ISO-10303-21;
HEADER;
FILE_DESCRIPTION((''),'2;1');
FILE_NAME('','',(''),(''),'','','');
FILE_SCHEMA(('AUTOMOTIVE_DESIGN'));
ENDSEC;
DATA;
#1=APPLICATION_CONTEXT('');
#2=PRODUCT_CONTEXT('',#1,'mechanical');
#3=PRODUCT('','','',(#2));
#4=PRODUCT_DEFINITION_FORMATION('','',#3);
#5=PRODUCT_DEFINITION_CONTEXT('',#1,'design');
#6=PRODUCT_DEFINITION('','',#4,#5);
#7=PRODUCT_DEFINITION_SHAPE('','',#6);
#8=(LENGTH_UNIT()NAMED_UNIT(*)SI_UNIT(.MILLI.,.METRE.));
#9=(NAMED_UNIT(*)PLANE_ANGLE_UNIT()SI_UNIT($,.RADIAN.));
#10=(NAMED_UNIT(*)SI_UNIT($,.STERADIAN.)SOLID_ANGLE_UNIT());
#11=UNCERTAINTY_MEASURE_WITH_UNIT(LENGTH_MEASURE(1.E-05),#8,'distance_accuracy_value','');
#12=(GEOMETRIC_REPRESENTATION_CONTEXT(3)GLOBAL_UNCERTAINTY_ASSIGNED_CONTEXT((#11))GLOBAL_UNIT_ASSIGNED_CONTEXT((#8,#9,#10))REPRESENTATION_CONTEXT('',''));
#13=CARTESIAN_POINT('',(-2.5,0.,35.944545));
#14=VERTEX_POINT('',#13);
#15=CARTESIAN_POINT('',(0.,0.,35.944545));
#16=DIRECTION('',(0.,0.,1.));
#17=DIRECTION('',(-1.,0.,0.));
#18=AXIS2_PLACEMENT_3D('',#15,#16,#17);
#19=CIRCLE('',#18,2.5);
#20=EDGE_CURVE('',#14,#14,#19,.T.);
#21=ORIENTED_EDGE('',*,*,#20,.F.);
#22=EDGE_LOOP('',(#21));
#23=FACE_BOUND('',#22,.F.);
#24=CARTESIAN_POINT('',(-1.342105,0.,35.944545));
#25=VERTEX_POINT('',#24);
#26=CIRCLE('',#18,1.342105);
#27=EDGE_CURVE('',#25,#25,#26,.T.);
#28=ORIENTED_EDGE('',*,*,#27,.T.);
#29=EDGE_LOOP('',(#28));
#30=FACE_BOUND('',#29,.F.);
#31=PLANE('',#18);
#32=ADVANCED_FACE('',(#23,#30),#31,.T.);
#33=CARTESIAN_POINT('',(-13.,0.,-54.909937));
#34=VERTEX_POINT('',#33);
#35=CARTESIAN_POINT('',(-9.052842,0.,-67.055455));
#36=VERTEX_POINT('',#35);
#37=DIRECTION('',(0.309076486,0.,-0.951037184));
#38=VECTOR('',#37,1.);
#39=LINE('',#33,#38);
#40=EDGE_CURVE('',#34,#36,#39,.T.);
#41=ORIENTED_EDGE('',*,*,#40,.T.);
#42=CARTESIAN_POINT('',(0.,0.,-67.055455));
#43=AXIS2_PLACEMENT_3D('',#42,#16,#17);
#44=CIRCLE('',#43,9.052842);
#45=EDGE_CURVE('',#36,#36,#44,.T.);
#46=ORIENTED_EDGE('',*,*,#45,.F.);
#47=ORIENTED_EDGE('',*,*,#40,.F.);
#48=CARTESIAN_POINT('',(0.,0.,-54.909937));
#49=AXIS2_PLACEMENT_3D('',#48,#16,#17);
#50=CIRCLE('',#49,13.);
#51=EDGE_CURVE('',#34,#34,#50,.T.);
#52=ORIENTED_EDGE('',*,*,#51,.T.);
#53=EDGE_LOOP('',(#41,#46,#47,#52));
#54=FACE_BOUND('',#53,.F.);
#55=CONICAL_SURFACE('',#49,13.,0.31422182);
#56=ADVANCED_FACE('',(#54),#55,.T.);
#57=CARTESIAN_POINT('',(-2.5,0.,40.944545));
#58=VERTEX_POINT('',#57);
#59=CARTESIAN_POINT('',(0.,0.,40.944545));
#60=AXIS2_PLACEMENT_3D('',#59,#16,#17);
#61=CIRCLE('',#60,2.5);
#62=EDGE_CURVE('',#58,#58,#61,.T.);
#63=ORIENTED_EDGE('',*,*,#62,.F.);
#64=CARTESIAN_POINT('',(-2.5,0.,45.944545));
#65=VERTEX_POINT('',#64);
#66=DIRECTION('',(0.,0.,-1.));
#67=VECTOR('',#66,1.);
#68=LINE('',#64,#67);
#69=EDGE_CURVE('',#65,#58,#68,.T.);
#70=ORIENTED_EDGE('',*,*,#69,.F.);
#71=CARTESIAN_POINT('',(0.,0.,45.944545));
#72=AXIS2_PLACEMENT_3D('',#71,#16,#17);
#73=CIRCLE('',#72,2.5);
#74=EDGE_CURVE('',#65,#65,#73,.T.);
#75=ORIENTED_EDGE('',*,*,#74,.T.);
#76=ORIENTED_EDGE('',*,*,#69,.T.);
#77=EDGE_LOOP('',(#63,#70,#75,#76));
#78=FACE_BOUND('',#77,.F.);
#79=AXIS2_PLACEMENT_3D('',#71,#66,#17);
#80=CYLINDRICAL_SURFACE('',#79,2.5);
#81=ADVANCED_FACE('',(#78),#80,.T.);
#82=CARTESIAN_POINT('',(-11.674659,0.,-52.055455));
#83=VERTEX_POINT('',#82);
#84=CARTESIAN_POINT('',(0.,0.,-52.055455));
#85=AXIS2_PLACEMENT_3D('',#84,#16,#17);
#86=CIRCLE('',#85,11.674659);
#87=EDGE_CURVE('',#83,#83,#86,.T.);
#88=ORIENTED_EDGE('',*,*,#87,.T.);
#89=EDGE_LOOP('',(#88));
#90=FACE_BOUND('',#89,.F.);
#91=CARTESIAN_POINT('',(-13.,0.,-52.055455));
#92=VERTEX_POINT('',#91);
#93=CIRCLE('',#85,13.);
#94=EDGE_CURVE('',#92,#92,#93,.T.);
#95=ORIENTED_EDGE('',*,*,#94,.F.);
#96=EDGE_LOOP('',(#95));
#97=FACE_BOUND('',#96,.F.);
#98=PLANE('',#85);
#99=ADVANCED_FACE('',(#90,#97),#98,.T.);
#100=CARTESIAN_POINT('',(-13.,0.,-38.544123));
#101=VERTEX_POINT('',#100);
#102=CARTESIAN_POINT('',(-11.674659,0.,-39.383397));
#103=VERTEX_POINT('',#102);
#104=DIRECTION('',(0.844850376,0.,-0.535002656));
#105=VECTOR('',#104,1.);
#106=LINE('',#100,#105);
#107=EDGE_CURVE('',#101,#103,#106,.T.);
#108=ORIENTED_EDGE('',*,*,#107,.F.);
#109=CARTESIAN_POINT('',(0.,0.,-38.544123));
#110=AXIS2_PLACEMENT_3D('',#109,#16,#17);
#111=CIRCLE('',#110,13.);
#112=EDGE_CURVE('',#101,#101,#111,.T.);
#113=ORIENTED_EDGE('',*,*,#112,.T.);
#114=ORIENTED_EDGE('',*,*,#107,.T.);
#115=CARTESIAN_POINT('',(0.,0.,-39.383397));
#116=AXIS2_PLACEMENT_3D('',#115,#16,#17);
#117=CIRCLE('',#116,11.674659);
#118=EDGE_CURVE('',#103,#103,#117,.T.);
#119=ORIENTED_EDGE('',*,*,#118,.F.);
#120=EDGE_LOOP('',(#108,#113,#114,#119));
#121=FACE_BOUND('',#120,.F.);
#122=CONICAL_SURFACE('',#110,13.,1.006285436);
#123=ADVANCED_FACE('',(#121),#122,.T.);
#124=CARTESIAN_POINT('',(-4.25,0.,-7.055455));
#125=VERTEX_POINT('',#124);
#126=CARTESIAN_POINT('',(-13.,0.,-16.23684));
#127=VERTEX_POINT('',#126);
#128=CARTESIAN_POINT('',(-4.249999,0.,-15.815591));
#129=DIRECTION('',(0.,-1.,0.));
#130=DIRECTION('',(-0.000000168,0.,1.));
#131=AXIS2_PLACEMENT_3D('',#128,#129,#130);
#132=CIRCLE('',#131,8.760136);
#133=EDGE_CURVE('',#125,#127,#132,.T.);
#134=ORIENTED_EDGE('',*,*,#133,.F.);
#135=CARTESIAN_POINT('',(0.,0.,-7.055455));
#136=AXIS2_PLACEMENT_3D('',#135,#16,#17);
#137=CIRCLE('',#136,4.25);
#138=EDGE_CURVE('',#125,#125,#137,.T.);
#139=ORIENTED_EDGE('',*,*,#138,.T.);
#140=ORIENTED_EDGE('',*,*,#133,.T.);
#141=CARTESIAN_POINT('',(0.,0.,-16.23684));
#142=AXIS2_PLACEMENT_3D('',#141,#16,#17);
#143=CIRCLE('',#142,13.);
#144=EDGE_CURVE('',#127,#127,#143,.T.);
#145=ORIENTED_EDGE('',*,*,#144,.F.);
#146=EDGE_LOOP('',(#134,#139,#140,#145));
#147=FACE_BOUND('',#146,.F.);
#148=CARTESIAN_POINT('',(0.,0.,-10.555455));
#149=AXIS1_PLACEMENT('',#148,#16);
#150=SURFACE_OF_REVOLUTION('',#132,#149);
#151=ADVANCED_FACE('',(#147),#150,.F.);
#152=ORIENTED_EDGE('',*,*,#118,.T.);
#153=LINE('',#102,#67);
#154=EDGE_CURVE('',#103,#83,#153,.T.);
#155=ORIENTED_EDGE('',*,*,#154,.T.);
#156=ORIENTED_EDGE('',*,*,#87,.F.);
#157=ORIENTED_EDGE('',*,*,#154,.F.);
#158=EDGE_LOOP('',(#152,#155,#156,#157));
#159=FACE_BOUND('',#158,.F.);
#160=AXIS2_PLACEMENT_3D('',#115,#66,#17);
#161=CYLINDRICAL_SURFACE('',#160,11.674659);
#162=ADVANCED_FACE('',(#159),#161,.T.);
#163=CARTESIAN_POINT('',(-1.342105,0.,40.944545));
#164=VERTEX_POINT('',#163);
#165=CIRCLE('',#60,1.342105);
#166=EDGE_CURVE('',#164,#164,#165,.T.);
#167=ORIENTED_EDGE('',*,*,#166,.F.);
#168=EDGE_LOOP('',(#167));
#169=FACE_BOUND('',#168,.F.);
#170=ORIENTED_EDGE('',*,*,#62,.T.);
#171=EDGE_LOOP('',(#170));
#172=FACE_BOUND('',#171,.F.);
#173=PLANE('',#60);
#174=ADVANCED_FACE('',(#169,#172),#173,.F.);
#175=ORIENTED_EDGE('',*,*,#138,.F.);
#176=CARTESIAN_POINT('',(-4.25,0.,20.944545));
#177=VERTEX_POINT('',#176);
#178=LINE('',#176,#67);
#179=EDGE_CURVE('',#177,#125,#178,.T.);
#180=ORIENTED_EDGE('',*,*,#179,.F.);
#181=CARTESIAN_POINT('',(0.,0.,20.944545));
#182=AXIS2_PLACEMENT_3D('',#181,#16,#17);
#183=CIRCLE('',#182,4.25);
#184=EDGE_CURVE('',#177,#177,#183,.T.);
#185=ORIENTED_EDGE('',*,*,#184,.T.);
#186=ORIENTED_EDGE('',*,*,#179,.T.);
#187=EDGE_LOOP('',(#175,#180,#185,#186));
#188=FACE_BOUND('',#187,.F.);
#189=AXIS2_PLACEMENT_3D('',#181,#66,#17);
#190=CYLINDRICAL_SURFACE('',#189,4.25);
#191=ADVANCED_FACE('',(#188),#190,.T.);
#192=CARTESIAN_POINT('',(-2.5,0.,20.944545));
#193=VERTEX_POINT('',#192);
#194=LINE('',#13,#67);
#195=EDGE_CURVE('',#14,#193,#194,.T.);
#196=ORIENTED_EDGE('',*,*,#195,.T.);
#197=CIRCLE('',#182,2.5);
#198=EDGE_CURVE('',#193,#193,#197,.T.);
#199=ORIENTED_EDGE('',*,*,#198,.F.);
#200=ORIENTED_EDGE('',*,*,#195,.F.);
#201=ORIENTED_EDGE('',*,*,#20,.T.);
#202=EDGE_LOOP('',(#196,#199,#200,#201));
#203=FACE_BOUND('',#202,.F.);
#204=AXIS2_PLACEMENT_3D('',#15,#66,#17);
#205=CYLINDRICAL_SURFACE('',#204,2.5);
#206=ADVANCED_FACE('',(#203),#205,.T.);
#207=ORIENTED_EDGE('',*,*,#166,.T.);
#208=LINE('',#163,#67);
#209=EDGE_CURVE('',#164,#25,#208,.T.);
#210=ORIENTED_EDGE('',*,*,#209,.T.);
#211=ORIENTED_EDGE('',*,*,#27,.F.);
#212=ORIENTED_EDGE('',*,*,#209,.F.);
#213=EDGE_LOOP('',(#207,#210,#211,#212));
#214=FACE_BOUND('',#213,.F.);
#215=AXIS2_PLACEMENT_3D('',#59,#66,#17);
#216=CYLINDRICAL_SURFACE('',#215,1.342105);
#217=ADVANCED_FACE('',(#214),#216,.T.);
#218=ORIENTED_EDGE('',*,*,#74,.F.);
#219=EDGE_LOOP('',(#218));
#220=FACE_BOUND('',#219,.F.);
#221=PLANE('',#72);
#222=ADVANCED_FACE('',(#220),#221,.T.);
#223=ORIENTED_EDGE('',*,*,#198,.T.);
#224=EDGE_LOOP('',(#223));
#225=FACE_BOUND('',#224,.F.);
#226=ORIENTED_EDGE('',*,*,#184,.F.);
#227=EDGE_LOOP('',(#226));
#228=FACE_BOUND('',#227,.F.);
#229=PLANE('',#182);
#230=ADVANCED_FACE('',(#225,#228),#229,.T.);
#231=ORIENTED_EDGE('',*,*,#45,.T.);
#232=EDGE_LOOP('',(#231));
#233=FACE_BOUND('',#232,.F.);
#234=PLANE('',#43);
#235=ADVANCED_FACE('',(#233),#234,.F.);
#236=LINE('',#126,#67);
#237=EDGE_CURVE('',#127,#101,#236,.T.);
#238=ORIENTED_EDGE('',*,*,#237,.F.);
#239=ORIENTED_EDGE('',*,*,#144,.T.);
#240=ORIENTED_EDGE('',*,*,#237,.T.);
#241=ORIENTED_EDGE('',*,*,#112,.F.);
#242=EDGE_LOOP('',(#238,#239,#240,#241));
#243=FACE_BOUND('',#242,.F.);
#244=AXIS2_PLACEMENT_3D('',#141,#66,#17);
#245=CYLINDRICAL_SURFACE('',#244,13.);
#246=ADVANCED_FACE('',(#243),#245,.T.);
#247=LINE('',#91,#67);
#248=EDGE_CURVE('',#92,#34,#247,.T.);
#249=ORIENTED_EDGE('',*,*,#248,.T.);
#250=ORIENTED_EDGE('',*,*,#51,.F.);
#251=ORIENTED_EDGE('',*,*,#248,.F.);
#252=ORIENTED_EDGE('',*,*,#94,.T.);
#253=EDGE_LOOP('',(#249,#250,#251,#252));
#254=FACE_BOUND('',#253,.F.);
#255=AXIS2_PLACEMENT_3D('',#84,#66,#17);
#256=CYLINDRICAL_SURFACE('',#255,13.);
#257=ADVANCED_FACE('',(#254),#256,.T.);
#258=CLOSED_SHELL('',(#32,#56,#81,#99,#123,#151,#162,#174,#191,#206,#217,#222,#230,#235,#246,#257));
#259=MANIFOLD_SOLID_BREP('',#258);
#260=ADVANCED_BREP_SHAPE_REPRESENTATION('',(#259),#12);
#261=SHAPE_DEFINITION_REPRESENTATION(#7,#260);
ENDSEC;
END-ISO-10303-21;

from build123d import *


with BuildPart() as f1:
    # F0 (on Front) → F1 (revolve)
    with BuildSketch(Plane.XZ):
        with BuildLine():
            Line((0, -67.055455), (0, 45.944545))
            Line((0, 45.944545), (-2.5, 45.944545))
            Line((-2.5, 45.944545), (-2.5, 40.944545))
            Line((-2.5, 40.944545), (-1.342105, 40.944545))
            Line((-1.342105, 40.944545), (-1.342105, 35.944545))
            Line((-1.342105, 35.944545), (-2.5, 35.944545))
            Line((-2.5, 35.944545), (-2.5, 20.944545))
            Line((-2.5, 20.944545), (-4.25, 20.944545))
            Line((-4.25, 20.944545), (-4.25, -7.055455))
            ThreePointArc((-4.25, -7.055455), (-10.591536, -9.772009), (-13, -16.23684))
            Line((-13, -16.23684), (-13, -38.544123))
            Line((-13, -38.544123), (-11.674659, -39.383397))
            Line((-11.674659, -39.383397), (-11.674659, -52.055455))
            Line((-11.674659, -52.055455), (-13, -52.055455))
            Line((-13, -52.055455), (-13, -54.909937))
            Line((-13, -54.909937), (-9.052842, -67.055455))
            Line((-9.052842, -67.055455), (0, -67.055455))
        make_face()
    revolve(axis=Axis((0, 0, -10.555455), (0, 0, 1)))


solid = f1.part
